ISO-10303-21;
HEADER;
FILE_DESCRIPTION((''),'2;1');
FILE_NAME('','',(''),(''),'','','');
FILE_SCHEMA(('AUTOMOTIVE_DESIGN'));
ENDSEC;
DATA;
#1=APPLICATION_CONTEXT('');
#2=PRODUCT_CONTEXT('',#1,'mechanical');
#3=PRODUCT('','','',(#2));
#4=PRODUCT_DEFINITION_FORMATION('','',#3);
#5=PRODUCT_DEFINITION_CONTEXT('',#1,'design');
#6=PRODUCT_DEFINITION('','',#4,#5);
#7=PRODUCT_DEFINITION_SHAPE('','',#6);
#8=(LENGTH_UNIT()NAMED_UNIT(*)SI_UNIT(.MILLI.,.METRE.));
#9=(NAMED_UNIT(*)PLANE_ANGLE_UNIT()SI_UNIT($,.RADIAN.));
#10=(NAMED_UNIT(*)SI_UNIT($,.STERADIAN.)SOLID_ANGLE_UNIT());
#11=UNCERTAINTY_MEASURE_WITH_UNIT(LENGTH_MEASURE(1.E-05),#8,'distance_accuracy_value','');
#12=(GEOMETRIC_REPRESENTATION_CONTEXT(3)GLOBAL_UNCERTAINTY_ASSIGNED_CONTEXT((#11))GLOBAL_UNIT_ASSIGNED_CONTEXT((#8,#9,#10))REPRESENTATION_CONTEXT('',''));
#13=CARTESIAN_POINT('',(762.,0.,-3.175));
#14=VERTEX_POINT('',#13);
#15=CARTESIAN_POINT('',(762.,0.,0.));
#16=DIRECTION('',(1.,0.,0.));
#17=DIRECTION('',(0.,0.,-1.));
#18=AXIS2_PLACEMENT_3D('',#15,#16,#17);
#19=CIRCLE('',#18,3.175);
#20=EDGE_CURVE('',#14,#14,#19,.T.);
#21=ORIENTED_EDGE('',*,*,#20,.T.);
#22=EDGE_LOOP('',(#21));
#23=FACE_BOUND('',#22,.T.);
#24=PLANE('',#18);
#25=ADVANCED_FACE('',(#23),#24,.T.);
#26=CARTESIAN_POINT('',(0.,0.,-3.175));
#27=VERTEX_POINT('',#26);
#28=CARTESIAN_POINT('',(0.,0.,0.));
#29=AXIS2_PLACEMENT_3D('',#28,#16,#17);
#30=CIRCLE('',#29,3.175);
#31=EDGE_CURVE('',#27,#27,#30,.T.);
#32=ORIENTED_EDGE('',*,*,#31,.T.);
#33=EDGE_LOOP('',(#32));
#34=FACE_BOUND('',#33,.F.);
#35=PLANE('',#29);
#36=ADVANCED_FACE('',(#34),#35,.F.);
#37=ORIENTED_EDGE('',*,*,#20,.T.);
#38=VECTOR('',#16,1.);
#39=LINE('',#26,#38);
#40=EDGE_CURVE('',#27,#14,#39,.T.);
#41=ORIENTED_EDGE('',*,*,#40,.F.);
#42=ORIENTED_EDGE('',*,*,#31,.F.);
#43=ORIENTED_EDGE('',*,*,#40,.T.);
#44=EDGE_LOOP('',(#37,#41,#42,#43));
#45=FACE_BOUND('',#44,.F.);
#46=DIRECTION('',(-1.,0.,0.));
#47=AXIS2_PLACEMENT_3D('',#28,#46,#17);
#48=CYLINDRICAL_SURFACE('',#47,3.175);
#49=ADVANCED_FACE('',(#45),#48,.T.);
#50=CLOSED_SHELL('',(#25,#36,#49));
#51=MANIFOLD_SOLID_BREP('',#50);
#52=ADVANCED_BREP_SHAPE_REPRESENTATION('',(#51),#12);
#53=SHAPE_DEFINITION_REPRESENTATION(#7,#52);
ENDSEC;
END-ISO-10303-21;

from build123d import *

# Parameters (mm, degrees)
SKETCH1_R           = 3.175
BOSS_EXTRUDE1_DEPTH = 762


with BuildPart() as part:
    # Sketch1 → Boss-Extrude1 (new body)
    with BuildSketch(Plane(origin=(0, 0, 0), x_dir=(0, 0, -1), z_dir=(1, 0, 0))):
        Circle(SKETCH1_R)
    extrude(amount=BOSS_EXTRUDE1_DEPTH)


solid = part.part
